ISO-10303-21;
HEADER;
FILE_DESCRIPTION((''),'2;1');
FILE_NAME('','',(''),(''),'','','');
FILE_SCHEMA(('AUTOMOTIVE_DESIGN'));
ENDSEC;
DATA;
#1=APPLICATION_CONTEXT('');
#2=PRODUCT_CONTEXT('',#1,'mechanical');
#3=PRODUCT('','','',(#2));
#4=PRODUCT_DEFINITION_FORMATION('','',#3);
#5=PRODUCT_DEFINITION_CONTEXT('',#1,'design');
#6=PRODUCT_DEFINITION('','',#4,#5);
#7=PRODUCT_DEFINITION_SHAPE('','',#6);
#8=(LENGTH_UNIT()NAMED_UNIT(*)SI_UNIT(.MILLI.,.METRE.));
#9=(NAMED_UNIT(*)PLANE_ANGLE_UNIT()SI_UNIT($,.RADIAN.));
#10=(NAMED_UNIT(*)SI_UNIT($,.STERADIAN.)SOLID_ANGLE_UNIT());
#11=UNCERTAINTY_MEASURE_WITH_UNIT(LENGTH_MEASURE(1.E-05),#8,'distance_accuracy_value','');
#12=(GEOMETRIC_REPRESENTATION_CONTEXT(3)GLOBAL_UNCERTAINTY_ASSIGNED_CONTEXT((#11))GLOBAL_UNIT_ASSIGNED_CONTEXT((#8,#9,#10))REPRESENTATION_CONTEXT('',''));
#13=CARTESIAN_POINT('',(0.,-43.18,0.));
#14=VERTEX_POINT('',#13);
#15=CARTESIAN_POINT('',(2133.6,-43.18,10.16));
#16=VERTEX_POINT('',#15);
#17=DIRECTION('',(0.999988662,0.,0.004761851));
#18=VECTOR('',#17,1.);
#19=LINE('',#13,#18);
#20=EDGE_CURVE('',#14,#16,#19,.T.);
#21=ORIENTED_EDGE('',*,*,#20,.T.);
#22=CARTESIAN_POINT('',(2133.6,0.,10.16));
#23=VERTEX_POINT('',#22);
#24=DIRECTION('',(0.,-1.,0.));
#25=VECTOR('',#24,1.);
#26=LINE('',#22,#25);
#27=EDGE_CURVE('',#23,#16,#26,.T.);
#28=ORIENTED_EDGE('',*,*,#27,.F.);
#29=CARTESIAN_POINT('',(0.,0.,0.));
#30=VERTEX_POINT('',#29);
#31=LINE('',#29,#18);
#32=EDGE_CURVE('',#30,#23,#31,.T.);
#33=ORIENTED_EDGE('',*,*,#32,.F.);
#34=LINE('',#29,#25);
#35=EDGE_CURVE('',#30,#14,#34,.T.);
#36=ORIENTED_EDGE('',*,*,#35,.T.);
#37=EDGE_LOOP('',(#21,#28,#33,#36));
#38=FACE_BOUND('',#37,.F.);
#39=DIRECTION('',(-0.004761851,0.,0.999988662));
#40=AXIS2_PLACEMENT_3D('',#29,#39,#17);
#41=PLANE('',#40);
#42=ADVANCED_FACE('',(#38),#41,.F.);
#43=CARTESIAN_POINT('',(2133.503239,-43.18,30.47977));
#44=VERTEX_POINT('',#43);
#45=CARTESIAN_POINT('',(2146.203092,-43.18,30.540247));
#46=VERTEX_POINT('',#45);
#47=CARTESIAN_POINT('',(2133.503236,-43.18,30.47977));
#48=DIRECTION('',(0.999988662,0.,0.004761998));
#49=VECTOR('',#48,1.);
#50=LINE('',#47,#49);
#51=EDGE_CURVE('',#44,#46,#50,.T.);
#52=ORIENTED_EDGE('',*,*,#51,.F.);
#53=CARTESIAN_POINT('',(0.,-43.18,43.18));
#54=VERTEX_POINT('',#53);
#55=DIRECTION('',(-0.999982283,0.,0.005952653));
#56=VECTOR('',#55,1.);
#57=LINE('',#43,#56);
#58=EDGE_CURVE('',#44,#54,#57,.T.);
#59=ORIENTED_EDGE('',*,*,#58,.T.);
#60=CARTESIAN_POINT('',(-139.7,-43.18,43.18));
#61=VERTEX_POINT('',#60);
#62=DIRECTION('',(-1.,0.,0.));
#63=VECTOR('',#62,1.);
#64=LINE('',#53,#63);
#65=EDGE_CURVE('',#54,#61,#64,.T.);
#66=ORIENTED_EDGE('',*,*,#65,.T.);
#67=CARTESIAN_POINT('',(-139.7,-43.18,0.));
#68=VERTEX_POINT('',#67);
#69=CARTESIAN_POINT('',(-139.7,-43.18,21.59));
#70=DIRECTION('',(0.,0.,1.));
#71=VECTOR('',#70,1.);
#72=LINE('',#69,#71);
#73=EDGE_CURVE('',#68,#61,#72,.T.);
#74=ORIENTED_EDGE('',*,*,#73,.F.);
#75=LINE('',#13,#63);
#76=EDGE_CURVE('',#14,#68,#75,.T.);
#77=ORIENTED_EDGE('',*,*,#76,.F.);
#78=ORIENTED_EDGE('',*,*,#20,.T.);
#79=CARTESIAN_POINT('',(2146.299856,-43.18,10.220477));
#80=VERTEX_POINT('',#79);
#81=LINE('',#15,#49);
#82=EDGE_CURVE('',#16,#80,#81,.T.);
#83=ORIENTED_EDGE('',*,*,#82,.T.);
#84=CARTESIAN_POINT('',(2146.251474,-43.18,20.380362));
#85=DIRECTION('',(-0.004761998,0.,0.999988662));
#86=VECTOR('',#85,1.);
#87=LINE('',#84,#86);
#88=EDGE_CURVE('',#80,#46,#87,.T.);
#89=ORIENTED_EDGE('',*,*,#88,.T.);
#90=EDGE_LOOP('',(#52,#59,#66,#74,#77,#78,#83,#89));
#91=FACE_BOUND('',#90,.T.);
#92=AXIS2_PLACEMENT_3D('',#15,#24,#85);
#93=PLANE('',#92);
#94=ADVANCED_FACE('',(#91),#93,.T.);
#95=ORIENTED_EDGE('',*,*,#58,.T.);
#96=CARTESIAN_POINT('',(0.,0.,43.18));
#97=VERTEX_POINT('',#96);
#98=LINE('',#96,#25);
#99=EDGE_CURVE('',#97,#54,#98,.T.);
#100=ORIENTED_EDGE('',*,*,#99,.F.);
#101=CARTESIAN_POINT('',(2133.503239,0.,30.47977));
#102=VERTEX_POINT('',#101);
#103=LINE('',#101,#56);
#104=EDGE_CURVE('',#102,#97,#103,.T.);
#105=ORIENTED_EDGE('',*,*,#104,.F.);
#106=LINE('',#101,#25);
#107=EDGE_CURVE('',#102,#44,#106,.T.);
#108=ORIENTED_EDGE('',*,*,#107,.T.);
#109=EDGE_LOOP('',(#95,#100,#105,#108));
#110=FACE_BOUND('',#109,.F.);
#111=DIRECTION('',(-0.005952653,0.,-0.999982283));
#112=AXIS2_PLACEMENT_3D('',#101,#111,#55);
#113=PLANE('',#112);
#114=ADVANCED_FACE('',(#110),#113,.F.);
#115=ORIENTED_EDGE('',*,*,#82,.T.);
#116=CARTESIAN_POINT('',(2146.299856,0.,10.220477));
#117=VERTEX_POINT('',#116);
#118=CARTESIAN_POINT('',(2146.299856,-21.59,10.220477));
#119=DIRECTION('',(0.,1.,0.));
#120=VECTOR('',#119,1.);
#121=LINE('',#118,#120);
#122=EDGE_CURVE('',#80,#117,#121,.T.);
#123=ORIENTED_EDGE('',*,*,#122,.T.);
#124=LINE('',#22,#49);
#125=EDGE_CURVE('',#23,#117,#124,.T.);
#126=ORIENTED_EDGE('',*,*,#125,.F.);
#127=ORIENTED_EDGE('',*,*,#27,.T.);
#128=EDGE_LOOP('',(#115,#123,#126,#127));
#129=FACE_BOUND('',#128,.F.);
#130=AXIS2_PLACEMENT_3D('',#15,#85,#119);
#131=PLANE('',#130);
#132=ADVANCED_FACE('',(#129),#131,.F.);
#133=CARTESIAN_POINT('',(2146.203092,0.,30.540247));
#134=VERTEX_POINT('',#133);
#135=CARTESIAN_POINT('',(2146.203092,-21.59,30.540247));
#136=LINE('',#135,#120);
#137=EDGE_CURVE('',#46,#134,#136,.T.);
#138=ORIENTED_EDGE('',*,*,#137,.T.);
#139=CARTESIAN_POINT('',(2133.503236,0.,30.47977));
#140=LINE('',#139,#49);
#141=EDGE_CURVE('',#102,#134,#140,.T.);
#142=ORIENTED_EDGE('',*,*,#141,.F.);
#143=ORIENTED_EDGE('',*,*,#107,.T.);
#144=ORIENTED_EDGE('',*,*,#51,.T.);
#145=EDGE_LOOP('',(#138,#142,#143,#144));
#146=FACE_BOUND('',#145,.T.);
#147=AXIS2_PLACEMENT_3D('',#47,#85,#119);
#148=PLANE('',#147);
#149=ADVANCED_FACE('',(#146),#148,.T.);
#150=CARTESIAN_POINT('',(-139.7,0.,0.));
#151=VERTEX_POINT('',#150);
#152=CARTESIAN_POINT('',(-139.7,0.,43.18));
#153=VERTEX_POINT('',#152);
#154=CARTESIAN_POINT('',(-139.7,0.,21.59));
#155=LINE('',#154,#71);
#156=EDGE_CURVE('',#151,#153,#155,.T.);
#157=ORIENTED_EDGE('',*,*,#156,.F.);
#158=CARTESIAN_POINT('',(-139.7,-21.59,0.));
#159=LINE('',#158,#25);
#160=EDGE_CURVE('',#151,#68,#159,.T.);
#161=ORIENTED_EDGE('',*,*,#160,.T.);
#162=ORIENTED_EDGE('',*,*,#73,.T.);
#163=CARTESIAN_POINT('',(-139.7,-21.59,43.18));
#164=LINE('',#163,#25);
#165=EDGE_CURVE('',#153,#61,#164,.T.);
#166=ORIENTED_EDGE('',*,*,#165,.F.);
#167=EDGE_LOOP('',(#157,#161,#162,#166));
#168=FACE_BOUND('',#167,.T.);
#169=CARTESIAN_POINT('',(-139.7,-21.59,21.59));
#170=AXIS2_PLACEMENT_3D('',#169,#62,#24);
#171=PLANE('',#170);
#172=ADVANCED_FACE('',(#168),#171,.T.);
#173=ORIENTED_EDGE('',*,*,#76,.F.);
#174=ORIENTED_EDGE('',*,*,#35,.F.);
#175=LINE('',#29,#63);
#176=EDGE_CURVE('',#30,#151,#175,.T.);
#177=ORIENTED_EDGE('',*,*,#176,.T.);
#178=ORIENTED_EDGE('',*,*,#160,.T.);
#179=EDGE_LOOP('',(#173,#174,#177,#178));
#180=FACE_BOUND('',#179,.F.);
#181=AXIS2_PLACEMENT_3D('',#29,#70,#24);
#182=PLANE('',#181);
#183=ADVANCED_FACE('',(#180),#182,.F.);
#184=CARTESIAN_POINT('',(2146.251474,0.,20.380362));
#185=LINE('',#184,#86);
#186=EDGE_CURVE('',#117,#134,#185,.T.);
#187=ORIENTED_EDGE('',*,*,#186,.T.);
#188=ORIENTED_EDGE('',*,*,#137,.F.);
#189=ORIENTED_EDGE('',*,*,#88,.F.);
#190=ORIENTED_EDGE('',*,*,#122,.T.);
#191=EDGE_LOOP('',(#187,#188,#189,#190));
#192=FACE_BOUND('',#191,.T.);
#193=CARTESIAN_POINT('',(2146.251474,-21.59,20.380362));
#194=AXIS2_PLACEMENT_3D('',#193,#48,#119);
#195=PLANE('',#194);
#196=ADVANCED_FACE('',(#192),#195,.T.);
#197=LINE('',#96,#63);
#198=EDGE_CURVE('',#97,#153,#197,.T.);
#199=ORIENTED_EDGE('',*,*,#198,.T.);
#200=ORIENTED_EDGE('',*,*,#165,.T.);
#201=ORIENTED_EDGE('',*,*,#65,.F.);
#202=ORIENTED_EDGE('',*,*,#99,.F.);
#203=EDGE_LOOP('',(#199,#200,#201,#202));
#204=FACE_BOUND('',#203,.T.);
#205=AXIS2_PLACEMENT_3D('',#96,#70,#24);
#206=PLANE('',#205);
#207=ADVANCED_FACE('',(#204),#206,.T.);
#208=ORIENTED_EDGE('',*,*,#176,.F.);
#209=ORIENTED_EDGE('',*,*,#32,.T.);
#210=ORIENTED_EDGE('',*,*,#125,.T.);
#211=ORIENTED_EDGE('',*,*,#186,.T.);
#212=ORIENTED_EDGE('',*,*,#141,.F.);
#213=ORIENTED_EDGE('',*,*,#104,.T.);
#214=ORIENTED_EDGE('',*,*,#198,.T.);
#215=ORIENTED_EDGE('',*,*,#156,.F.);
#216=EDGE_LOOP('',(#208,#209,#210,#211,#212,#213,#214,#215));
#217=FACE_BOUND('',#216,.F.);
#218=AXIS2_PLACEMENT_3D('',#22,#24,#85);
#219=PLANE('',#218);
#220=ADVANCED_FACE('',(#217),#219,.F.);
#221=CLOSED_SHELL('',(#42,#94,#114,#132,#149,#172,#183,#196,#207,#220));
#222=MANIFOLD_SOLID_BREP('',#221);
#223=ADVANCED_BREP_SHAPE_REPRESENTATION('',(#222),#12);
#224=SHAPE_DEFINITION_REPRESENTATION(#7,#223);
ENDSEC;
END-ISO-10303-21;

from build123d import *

# Parameters (mm, degrees)
F1_DEPTH = 43.18
F2_W     = 43.18
F2_H     = 43.18
F3_DEPTH = 139.7
F4_W     = 43.18
F4_H     = 20.32
F5_DEPTH = 12.7


with BuildPart() as f1:
    # F0 (on Front) → F1 (new body)
    with BuildSketch(Plane.XZ):
        Polygon((0, 43.18), (0, 0), (2133.6, 10.16), (2133.503239, 30.47977), align=None)
    extrude(amount=F1_DEPTH)

    # F2 (on face) → F3 (join)
    with BuildSketch(Plane(origin=(0, 0, 0), x_dir=(0, -1, 0), z_dir=(-1, 0, 0))):
        with Locations((21.59, 21.59)):
            Rectangle(F2_W, F2_H)
    extrude(amount=F3_DEPTH)

    # F4 (on face) → F5 (join)
    with BuildSketch(Plane(origin=(2133.6, 0, 10.16), x_dir=(0, 1, 0), z_dir=(0.999989, 0, 0.004762))):
        with Locations((-21.59, 10.16)):
            Rectangle(F4_W, F4_H)
    extrude(amount=F5_DEPTH)


solid = f1.part
